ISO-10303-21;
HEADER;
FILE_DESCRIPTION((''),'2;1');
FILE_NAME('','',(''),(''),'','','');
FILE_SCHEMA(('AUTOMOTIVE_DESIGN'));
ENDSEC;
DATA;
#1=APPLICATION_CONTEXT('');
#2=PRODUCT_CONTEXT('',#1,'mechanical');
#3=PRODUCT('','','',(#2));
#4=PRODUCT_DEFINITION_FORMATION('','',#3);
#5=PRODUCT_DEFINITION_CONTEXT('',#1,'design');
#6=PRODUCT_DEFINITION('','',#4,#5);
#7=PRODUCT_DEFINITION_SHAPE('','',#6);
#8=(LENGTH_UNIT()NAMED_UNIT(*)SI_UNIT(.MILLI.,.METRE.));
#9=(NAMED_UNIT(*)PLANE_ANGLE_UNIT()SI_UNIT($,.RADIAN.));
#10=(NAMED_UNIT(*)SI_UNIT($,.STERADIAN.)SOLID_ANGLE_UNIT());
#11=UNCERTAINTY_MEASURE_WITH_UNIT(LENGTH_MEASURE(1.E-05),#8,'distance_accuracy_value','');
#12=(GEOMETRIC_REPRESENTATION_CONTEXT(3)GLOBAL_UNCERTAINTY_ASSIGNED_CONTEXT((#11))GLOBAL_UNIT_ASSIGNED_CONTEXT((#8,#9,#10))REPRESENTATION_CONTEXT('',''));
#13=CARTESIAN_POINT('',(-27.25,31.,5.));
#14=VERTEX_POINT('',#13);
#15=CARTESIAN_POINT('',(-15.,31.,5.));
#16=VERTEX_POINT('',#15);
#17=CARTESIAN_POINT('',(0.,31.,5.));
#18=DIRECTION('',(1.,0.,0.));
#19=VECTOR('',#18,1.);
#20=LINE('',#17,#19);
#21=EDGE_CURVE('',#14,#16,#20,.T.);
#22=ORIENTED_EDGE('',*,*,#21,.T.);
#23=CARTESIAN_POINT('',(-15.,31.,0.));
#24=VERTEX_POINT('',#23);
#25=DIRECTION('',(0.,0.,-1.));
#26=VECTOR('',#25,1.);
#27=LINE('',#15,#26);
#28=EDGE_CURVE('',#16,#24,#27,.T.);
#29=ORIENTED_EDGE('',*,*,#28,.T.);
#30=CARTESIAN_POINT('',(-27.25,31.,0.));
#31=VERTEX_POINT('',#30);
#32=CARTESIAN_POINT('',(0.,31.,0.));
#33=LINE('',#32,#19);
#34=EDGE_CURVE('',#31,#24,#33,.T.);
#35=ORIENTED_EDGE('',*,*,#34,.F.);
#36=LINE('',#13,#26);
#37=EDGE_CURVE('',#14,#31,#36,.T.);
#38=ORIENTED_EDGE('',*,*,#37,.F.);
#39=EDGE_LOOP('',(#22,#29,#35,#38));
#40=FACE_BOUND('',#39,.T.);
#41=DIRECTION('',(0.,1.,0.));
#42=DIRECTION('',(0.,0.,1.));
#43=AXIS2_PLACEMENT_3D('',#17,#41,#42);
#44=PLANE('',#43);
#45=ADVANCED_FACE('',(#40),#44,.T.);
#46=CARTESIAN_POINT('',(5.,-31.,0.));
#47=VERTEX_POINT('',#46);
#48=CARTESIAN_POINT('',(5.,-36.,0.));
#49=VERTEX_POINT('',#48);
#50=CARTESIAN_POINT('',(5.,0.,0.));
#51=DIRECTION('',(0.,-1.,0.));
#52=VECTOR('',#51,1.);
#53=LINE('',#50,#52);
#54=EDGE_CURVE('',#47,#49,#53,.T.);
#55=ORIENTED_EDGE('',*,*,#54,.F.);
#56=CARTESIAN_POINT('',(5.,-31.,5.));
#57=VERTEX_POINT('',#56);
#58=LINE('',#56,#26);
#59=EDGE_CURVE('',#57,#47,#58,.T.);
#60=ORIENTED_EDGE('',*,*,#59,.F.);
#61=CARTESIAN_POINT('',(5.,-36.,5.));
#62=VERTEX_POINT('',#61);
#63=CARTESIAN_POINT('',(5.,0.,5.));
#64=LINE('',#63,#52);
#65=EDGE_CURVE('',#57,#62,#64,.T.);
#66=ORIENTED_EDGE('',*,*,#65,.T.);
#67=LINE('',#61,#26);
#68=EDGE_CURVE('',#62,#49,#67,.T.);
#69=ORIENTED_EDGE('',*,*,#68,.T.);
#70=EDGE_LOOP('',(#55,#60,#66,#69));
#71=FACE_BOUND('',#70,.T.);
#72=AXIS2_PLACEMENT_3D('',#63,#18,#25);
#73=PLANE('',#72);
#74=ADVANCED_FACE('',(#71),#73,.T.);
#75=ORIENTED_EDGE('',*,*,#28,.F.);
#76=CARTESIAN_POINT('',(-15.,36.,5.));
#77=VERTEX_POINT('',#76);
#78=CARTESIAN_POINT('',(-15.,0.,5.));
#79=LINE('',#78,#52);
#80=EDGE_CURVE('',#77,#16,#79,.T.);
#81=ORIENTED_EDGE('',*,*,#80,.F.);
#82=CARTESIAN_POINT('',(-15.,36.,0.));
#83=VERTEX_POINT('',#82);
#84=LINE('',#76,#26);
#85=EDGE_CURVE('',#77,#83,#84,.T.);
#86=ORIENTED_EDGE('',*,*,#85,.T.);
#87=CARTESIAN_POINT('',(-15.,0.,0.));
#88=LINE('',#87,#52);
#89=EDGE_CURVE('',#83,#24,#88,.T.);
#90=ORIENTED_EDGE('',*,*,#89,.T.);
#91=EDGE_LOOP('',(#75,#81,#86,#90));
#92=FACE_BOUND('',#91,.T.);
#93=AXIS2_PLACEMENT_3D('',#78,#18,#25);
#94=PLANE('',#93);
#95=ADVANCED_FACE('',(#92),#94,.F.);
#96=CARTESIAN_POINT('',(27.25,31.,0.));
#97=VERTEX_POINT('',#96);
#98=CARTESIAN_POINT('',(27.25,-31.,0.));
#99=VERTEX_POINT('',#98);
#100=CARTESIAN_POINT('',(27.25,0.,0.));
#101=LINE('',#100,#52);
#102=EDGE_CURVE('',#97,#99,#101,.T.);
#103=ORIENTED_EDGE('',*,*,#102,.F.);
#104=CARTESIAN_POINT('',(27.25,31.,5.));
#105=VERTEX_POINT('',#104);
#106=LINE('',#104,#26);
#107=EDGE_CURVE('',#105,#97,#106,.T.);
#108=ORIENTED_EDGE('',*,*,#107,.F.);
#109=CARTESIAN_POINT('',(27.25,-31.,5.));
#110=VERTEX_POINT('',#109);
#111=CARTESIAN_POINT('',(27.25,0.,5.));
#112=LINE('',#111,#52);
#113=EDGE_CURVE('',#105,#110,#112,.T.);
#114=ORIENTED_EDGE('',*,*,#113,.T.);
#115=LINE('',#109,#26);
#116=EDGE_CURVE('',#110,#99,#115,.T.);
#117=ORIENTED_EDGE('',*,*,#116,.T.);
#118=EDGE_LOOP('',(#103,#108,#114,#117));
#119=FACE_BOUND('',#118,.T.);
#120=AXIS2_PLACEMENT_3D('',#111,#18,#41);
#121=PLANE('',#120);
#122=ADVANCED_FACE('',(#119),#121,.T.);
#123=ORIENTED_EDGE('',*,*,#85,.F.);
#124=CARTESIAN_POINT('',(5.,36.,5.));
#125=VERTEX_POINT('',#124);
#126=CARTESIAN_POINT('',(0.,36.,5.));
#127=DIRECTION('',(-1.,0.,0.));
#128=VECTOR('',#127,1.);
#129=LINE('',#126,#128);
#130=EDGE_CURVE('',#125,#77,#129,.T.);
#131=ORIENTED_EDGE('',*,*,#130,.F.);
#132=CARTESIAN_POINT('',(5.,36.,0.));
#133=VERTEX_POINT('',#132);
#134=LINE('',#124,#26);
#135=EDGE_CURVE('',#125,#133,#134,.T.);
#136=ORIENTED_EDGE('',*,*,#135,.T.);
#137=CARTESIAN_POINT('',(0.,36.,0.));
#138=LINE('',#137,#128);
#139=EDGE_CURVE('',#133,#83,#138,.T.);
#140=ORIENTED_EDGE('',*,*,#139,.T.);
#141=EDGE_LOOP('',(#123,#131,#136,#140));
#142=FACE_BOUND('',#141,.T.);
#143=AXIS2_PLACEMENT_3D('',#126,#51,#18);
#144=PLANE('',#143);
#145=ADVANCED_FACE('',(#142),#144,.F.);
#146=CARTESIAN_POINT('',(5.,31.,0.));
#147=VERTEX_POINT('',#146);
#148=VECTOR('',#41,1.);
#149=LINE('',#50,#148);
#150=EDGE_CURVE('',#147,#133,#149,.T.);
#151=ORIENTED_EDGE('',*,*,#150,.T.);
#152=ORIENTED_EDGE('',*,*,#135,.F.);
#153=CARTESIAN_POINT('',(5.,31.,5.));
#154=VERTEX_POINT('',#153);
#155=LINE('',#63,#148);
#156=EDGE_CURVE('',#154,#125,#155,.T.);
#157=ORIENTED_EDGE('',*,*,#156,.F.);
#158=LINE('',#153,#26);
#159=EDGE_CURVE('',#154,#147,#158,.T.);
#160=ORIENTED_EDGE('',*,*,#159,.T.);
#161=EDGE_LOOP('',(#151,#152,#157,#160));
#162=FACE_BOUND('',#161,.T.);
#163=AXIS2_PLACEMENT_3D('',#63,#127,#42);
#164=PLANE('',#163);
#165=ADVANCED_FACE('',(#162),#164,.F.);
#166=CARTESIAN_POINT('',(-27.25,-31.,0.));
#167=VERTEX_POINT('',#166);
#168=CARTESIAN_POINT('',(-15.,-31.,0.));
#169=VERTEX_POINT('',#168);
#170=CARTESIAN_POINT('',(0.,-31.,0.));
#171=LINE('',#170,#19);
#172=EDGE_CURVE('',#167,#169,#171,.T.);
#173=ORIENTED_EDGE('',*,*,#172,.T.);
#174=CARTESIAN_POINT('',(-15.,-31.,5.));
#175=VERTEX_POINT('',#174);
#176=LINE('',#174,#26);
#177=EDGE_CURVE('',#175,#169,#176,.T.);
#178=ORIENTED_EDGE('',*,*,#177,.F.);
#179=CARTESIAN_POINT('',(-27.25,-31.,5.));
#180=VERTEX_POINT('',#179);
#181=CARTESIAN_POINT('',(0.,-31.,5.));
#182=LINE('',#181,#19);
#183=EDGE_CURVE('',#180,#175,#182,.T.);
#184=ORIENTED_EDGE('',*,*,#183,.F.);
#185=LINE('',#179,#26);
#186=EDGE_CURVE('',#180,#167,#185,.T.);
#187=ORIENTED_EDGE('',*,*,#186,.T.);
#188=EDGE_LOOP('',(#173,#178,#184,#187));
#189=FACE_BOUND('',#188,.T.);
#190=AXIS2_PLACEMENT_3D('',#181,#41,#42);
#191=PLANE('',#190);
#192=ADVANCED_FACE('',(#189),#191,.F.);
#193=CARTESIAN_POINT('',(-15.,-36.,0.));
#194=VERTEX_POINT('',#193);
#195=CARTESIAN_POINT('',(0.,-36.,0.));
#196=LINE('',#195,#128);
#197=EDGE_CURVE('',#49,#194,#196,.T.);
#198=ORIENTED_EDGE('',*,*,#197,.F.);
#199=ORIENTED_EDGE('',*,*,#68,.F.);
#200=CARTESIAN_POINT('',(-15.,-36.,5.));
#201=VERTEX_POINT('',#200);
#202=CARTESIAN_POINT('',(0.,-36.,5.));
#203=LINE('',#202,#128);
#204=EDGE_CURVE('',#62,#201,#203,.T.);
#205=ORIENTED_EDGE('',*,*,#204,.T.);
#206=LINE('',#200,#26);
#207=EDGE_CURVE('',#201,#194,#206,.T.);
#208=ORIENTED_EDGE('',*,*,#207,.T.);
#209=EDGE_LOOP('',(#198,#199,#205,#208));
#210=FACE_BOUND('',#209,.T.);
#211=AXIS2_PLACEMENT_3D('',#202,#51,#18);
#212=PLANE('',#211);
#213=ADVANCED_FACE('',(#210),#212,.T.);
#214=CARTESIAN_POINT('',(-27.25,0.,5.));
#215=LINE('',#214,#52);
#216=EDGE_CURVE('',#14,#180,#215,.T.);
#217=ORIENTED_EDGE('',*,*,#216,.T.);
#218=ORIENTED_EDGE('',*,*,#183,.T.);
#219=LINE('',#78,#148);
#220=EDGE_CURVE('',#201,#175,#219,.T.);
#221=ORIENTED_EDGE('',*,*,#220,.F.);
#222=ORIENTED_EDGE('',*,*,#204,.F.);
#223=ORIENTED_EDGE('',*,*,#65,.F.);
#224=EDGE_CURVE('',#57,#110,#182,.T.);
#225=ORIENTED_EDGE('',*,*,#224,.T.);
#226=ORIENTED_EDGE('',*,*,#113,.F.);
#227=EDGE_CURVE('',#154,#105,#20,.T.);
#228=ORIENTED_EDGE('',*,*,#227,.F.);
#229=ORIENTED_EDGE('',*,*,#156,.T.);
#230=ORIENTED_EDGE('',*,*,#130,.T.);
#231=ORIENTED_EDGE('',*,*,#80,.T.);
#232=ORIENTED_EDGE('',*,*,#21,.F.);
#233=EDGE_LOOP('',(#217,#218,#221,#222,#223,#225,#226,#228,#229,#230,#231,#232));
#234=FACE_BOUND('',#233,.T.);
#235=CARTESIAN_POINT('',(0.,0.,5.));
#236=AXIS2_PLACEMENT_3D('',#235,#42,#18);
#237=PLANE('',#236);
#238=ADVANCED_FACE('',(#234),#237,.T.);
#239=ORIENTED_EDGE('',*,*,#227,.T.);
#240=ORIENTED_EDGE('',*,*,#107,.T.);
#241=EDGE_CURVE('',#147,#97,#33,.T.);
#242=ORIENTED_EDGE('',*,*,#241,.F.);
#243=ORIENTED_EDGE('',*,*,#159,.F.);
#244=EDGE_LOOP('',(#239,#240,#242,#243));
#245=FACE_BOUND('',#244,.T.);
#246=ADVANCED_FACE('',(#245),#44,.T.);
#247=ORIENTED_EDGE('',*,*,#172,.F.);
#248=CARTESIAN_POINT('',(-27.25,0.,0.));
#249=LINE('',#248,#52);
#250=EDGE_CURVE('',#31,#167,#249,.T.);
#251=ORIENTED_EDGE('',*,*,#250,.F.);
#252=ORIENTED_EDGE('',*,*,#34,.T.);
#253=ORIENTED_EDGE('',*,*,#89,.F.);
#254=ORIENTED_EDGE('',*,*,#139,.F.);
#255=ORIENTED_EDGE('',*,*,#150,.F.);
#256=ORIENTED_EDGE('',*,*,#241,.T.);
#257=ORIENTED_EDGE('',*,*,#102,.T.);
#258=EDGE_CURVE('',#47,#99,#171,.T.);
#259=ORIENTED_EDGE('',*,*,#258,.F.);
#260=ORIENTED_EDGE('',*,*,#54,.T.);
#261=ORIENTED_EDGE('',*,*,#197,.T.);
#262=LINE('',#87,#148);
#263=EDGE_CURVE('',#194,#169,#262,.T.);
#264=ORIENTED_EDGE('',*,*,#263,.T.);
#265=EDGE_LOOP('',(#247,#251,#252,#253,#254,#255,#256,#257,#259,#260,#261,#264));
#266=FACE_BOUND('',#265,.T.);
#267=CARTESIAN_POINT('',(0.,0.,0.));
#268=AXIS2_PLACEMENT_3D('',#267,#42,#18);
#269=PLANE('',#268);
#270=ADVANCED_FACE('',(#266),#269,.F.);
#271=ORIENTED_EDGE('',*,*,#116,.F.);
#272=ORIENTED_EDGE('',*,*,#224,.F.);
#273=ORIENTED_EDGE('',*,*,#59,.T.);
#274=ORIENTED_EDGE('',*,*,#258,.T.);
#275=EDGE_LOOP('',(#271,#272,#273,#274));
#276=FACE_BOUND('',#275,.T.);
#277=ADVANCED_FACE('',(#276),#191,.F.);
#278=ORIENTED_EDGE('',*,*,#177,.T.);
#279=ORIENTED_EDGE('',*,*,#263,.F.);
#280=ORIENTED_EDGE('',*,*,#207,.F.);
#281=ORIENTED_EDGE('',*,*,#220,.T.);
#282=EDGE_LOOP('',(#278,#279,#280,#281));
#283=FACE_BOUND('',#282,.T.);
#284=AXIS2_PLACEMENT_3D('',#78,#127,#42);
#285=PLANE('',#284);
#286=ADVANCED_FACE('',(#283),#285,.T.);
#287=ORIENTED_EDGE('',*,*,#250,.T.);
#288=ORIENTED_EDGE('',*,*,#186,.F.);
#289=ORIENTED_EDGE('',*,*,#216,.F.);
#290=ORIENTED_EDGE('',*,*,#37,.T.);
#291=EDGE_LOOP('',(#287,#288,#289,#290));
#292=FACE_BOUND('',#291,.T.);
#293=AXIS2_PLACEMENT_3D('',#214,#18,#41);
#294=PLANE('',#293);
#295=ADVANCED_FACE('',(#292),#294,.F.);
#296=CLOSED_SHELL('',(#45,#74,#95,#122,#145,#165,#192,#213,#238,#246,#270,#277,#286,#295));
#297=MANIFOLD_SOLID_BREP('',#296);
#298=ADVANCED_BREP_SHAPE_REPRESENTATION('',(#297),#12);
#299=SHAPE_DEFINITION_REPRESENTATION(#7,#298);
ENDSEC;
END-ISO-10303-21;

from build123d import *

# Parameters (mm, degrees)
BOSS_EXTRUDE1_DEPTH = 5


with BuildPart() as part:
    # Sketch1 → Boss-Extrude1 (new body)
    with BuildSketch(Plane.XY):
        Polygon((5, 31), (5, 36), (-15, 36), (-15, 31), (-27.25, 31), (-27.25, -31), (-15, -31), (-15, -36), (5, -36), (5, -31), (27.25, -31), (27.25, 31), align=None)
    extrude(amount=BOSS_EXTRUDE1_DEPTH)


solid = part.part
